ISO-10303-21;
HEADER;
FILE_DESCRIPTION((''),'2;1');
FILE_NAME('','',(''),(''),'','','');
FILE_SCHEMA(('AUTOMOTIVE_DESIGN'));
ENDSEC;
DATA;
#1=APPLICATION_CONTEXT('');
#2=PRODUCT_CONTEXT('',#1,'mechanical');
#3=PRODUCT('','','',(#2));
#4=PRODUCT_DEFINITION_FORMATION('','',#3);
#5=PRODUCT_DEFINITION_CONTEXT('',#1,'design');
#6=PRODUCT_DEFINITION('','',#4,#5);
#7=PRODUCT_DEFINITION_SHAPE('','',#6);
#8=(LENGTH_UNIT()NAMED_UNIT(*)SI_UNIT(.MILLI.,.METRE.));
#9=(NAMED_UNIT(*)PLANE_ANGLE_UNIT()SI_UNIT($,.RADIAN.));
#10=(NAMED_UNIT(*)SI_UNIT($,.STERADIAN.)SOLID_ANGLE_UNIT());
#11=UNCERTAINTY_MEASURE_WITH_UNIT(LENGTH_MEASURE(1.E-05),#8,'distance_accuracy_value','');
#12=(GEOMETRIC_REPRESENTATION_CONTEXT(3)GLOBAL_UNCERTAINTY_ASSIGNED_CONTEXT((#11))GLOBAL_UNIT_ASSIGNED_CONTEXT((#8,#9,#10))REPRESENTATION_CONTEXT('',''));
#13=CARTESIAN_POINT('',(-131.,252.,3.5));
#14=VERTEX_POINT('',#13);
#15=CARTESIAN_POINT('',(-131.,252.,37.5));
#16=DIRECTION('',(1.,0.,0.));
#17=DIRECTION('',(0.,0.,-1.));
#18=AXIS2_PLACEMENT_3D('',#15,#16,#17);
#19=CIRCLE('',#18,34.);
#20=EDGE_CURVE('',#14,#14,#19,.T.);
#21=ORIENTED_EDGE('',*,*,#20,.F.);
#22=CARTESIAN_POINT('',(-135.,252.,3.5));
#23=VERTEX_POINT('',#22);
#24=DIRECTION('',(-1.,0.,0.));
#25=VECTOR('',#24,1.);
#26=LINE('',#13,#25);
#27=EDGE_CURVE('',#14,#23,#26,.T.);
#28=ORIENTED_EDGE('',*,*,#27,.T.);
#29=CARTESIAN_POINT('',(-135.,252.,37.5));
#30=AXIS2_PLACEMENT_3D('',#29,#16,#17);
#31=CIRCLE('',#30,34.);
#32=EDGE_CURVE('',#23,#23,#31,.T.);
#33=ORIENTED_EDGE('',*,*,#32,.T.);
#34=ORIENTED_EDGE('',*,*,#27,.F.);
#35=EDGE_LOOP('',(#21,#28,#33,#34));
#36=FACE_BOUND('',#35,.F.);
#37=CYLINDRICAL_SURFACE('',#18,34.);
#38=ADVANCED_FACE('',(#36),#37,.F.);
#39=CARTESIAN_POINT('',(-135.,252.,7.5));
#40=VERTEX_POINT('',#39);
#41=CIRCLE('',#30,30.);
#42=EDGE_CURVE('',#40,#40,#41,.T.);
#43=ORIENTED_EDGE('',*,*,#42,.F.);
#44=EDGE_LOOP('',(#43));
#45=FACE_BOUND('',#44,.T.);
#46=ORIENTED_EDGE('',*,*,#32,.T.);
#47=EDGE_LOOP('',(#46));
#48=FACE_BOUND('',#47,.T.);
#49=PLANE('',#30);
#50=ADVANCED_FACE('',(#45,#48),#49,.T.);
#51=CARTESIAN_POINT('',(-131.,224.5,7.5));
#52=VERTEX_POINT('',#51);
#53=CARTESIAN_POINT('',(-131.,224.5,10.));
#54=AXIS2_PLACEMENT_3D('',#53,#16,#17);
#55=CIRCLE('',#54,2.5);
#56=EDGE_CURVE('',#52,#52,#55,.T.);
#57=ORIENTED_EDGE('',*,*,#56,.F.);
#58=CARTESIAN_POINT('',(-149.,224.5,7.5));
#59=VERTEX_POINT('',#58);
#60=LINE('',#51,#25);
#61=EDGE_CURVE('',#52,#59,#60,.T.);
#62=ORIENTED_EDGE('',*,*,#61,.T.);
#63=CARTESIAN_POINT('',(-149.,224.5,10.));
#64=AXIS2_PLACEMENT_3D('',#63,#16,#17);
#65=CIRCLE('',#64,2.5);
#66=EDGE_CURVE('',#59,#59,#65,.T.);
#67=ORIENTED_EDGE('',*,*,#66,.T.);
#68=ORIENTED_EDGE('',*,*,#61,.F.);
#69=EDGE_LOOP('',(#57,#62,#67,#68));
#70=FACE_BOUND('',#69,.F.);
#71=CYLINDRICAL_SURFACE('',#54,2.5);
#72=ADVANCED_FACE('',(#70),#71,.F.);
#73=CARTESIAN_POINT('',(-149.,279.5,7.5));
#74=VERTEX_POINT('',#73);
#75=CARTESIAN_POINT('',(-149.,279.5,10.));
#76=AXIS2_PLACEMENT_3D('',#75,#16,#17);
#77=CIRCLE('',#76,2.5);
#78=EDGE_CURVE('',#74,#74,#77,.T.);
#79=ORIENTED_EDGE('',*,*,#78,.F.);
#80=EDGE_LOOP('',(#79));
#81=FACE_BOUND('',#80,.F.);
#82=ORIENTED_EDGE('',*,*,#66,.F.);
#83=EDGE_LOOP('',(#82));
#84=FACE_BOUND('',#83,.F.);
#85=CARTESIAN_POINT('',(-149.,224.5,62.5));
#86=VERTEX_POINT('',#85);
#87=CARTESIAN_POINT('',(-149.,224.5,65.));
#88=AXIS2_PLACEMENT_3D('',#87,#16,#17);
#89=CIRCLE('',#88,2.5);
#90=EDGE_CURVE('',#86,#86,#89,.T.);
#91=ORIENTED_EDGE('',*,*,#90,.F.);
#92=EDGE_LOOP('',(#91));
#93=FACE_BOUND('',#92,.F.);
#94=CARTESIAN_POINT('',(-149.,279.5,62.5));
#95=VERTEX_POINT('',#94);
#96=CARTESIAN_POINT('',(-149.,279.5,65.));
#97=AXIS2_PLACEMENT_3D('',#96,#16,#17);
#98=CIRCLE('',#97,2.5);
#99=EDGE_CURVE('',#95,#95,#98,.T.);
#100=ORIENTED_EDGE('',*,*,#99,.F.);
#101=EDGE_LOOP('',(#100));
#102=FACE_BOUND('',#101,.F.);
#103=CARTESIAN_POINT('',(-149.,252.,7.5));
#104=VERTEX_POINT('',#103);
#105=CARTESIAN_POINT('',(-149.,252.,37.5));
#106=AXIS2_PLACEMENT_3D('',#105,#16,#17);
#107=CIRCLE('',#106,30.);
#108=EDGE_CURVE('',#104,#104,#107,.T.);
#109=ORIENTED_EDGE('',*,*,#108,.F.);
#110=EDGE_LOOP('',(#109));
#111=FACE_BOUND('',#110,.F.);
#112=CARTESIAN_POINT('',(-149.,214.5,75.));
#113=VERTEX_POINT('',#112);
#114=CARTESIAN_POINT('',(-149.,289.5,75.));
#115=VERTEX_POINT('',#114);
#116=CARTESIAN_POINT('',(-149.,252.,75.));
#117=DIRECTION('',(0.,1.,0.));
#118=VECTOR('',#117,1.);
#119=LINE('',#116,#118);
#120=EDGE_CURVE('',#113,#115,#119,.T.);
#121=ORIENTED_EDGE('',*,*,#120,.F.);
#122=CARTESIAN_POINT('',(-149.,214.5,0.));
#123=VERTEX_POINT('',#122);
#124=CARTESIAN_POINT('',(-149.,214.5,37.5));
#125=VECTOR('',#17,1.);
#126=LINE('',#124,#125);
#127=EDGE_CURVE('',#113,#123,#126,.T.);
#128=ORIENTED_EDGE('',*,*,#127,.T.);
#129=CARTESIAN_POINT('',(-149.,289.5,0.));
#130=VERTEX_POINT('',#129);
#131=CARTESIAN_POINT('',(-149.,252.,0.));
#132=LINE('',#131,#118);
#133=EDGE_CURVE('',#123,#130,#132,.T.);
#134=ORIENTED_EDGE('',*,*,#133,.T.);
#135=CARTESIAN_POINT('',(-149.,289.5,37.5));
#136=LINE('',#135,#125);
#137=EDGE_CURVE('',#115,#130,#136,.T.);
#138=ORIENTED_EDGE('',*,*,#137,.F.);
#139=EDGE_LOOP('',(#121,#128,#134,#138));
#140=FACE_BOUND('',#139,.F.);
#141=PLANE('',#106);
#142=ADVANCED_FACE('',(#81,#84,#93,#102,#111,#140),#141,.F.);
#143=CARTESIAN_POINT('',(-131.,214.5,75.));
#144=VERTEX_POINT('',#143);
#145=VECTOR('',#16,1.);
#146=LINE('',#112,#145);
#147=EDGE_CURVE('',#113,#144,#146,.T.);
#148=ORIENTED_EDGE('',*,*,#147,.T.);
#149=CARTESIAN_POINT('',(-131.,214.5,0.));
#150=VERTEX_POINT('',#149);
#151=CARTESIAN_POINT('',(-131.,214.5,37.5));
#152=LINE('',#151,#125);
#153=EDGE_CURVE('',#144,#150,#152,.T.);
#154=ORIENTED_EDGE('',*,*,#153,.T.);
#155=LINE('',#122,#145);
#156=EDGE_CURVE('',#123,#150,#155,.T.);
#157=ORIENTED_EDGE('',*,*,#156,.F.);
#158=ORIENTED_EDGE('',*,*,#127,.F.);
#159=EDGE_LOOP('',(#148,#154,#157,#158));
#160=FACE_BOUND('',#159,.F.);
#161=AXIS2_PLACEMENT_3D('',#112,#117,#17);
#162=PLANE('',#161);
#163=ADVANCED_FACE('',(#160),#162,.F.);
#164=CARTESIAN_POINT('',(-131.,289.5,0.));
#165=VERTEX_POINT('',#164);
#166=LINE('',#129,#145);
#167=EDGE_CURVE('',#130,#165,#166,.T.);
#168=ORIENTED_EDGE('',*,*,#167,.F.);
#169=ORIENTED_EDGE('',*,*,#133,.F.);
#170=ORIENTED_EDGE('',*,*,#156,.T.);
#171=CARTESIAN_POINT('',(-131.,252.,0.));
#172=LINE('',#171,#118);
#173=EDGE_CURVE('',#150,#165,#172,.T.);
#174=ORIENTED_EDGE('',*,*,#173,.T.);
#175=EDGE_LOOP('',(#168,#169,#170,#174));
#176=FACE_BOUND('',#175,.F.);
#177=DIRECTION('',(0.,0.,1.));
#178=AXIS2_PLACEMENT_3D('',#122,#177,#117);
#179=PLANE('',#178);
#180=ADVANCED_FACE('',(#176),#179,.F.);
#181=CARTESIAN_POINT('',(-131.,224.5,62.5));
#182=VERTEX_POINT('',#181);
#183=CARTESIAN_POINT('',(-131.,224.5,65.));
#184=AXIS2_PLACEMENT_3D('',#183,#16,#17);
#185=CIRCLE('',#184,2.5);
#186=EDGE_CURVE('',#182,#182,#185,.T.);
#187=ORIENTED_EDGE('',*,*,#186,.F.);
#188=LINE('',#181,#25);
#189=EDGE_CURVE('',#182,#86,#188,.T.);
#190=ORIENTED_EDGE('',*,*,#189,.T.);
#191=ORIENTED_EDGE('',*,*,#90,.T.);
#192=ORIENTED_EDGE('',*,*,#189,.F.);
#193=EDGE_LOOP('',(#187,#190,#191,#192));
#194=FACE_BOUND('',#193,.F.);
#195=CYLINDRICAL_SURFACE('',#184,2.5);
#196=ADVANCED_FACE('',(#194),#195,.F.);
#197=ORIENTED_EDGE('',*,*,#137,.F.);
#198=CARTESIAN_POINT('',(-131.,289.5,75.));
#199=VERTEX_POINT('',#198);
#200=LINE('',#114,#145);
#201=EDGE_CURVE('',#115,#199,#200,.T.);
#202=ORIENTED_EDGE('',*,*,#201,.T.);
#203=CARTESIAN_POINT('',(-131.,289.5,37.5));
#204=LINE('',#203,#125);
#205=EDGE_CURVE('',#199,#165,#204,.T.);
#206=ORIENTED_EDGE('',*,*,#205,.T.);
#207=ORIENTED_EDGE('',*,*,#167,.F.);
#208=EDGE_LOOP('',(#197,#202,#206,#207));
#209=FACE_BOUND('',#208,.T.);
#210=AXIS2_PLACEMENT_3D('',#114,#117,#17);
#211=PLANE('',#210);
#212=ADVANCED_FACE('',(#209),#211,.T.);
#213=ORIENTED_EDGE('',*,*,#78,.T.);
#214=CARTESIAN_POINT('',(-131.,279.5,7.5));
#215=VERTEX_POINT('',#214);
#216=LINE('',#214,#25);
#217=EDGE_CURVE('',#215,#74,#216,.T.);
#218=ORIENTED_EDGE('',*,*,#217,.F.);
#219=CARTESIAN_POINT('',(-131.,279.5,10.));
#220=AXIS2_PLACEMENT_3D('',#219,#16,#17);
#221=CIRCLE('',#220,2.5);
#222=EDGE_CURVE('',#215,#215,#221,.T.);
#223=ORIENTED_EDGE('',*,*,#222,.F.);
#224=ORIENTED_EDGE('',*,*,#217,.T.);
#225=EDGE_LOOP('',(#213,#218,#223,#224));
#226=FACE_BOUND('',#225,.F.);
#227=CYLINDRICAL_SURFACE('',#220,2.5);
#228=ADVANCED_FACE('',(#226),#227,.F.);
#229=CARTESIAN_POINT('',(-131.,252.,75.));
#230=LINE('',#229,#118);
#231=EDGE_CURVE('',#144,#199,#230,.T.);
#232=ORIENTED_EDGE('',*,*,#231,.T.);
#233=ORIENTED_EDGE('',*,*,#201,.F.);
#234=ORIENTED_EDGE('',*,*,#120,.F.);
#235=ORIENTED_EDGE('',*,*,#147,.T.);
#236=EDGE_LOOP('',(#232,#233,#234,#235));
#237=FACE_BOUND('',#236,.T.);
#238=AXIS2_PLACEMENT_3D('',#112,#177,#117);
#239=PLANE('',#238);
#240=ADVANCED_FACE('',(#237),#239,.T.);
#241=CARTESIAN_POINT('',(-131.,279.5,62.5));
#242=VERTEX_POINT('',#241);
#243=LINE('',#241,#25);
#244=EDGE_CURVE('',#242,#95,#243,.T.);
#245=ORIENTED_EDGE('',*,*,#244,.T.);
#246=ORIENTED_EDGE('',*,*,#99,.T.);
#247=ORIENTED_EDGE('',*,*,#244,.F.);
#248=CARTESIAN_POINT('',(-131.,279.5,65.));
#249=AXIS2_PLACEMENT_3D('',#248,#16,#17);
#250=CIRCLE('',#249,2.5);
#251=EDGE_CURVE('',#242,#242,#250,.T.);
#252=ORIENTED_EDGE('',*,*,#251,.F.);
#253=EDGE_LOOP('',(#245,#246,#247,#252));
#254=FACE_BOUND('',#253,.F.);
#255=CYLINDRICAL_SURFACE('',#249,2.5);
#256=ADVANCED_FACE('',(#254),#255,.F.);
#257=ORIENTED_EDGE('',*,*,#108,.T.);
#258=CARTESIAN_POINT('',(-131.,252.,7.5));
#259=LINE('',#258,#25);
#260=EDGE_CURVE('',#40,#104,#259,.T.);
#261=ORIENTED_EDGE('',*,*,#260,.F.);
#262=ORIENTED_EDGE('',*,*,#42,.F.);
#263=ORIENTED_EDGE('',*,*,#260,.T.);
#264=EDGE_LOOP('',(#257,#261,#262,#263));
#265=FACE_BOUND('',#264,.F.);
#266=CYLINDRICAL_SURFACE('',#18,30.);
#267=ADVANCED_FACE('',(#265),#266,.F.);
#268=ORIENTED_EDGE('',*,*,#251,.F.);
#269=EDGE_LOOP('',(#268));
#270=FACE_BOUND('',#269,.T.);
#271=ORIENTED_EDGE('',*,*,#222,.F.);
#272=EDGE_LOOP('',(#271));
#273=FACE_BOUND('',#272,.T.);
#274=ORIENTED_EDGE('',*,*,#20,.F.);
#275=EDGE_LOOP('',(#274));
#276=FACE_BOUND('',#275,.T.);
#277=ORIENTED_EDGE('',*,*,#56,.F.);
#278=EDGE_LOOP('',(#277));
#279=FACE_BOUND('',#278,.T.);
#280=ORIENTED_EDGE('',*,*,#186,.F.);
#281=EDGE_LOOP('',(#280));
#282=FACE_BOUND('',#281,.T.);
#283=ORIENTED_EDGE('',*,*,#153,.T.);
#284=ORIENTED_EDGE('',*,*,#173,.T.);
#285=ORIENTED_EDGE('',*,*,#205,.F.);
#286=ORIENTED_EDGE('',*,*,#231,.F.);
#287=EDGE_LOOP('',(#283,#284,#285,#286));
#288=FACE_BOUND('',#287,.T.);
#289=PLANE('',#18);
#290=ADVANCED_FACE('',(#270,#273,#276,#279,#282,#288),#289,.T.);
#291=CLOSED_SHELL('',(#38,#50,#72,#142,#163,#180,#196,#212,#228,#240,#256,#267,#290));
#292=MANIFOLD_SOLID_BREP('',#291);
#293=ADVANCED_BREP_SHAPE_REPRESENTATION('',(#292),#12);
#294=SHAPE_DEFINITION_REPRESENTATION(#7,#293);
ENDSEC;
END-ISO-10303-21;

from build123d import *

# Parameters (mm, degrees)
SKETCH033_W             = 75
SKETCH033_H             = 75
PAD011_DEPTH            = 18
SKETCH034_R             = 30
SKETCH034_R_2           = 2.5
POCKET022_DEPTH         = 18
SKETCH035_R             = 34
POCKET023_DEPTH         = 4
BODY012_PLACEMENT_ANGLE = 90


with BuildPart() as part:
    # Sketch033 → Pad011 (new body)
    with BuildSketch(Plane.XY):
        Rectangle(SKETCH033_W, SKETCH033_H)
    extrude(amount=PAD011_DEPTH)

    # Sketch034 → Pocket022 (cut)
    with BuildSketch(Plane.XY.offset(18)):
        Circle(SKETCH034_R)
        with Locations((-27.5, 27.5)):
            Circle(SKETCH034_R_2)
        with Locations((27.5, 27.5)):
            Circle(SKETCH034_R_2)
        with Locations((27.5, -27.5)):
            Circle(SKETCH034_R_2)
        with Locations((-27.5, -27.5)):
            Circle(SKETCH034_R_2)
    extrude(amount=-POCKET022_DEPTH, mode=Mode.SUBTRACT)

    # Sketch035 → Pocket023 (cut)
    with BuildSketch(Plane.XY.offset(18)):
        Circle(SKETCH035_R)
    extrude(amount=-POCKET023_DEPTH, mode=Mode.SUBTRACT)


with BuildPart() as part_1:
    # Body012 placement: moved
    add(part.part.moved(Location((-149, 252, 37.5))).rotate(Axis((-149, 252, 37.5), (0, 1, 0)), BODY012_PLACEMENT_ANGLE))


solid = part_1.part
